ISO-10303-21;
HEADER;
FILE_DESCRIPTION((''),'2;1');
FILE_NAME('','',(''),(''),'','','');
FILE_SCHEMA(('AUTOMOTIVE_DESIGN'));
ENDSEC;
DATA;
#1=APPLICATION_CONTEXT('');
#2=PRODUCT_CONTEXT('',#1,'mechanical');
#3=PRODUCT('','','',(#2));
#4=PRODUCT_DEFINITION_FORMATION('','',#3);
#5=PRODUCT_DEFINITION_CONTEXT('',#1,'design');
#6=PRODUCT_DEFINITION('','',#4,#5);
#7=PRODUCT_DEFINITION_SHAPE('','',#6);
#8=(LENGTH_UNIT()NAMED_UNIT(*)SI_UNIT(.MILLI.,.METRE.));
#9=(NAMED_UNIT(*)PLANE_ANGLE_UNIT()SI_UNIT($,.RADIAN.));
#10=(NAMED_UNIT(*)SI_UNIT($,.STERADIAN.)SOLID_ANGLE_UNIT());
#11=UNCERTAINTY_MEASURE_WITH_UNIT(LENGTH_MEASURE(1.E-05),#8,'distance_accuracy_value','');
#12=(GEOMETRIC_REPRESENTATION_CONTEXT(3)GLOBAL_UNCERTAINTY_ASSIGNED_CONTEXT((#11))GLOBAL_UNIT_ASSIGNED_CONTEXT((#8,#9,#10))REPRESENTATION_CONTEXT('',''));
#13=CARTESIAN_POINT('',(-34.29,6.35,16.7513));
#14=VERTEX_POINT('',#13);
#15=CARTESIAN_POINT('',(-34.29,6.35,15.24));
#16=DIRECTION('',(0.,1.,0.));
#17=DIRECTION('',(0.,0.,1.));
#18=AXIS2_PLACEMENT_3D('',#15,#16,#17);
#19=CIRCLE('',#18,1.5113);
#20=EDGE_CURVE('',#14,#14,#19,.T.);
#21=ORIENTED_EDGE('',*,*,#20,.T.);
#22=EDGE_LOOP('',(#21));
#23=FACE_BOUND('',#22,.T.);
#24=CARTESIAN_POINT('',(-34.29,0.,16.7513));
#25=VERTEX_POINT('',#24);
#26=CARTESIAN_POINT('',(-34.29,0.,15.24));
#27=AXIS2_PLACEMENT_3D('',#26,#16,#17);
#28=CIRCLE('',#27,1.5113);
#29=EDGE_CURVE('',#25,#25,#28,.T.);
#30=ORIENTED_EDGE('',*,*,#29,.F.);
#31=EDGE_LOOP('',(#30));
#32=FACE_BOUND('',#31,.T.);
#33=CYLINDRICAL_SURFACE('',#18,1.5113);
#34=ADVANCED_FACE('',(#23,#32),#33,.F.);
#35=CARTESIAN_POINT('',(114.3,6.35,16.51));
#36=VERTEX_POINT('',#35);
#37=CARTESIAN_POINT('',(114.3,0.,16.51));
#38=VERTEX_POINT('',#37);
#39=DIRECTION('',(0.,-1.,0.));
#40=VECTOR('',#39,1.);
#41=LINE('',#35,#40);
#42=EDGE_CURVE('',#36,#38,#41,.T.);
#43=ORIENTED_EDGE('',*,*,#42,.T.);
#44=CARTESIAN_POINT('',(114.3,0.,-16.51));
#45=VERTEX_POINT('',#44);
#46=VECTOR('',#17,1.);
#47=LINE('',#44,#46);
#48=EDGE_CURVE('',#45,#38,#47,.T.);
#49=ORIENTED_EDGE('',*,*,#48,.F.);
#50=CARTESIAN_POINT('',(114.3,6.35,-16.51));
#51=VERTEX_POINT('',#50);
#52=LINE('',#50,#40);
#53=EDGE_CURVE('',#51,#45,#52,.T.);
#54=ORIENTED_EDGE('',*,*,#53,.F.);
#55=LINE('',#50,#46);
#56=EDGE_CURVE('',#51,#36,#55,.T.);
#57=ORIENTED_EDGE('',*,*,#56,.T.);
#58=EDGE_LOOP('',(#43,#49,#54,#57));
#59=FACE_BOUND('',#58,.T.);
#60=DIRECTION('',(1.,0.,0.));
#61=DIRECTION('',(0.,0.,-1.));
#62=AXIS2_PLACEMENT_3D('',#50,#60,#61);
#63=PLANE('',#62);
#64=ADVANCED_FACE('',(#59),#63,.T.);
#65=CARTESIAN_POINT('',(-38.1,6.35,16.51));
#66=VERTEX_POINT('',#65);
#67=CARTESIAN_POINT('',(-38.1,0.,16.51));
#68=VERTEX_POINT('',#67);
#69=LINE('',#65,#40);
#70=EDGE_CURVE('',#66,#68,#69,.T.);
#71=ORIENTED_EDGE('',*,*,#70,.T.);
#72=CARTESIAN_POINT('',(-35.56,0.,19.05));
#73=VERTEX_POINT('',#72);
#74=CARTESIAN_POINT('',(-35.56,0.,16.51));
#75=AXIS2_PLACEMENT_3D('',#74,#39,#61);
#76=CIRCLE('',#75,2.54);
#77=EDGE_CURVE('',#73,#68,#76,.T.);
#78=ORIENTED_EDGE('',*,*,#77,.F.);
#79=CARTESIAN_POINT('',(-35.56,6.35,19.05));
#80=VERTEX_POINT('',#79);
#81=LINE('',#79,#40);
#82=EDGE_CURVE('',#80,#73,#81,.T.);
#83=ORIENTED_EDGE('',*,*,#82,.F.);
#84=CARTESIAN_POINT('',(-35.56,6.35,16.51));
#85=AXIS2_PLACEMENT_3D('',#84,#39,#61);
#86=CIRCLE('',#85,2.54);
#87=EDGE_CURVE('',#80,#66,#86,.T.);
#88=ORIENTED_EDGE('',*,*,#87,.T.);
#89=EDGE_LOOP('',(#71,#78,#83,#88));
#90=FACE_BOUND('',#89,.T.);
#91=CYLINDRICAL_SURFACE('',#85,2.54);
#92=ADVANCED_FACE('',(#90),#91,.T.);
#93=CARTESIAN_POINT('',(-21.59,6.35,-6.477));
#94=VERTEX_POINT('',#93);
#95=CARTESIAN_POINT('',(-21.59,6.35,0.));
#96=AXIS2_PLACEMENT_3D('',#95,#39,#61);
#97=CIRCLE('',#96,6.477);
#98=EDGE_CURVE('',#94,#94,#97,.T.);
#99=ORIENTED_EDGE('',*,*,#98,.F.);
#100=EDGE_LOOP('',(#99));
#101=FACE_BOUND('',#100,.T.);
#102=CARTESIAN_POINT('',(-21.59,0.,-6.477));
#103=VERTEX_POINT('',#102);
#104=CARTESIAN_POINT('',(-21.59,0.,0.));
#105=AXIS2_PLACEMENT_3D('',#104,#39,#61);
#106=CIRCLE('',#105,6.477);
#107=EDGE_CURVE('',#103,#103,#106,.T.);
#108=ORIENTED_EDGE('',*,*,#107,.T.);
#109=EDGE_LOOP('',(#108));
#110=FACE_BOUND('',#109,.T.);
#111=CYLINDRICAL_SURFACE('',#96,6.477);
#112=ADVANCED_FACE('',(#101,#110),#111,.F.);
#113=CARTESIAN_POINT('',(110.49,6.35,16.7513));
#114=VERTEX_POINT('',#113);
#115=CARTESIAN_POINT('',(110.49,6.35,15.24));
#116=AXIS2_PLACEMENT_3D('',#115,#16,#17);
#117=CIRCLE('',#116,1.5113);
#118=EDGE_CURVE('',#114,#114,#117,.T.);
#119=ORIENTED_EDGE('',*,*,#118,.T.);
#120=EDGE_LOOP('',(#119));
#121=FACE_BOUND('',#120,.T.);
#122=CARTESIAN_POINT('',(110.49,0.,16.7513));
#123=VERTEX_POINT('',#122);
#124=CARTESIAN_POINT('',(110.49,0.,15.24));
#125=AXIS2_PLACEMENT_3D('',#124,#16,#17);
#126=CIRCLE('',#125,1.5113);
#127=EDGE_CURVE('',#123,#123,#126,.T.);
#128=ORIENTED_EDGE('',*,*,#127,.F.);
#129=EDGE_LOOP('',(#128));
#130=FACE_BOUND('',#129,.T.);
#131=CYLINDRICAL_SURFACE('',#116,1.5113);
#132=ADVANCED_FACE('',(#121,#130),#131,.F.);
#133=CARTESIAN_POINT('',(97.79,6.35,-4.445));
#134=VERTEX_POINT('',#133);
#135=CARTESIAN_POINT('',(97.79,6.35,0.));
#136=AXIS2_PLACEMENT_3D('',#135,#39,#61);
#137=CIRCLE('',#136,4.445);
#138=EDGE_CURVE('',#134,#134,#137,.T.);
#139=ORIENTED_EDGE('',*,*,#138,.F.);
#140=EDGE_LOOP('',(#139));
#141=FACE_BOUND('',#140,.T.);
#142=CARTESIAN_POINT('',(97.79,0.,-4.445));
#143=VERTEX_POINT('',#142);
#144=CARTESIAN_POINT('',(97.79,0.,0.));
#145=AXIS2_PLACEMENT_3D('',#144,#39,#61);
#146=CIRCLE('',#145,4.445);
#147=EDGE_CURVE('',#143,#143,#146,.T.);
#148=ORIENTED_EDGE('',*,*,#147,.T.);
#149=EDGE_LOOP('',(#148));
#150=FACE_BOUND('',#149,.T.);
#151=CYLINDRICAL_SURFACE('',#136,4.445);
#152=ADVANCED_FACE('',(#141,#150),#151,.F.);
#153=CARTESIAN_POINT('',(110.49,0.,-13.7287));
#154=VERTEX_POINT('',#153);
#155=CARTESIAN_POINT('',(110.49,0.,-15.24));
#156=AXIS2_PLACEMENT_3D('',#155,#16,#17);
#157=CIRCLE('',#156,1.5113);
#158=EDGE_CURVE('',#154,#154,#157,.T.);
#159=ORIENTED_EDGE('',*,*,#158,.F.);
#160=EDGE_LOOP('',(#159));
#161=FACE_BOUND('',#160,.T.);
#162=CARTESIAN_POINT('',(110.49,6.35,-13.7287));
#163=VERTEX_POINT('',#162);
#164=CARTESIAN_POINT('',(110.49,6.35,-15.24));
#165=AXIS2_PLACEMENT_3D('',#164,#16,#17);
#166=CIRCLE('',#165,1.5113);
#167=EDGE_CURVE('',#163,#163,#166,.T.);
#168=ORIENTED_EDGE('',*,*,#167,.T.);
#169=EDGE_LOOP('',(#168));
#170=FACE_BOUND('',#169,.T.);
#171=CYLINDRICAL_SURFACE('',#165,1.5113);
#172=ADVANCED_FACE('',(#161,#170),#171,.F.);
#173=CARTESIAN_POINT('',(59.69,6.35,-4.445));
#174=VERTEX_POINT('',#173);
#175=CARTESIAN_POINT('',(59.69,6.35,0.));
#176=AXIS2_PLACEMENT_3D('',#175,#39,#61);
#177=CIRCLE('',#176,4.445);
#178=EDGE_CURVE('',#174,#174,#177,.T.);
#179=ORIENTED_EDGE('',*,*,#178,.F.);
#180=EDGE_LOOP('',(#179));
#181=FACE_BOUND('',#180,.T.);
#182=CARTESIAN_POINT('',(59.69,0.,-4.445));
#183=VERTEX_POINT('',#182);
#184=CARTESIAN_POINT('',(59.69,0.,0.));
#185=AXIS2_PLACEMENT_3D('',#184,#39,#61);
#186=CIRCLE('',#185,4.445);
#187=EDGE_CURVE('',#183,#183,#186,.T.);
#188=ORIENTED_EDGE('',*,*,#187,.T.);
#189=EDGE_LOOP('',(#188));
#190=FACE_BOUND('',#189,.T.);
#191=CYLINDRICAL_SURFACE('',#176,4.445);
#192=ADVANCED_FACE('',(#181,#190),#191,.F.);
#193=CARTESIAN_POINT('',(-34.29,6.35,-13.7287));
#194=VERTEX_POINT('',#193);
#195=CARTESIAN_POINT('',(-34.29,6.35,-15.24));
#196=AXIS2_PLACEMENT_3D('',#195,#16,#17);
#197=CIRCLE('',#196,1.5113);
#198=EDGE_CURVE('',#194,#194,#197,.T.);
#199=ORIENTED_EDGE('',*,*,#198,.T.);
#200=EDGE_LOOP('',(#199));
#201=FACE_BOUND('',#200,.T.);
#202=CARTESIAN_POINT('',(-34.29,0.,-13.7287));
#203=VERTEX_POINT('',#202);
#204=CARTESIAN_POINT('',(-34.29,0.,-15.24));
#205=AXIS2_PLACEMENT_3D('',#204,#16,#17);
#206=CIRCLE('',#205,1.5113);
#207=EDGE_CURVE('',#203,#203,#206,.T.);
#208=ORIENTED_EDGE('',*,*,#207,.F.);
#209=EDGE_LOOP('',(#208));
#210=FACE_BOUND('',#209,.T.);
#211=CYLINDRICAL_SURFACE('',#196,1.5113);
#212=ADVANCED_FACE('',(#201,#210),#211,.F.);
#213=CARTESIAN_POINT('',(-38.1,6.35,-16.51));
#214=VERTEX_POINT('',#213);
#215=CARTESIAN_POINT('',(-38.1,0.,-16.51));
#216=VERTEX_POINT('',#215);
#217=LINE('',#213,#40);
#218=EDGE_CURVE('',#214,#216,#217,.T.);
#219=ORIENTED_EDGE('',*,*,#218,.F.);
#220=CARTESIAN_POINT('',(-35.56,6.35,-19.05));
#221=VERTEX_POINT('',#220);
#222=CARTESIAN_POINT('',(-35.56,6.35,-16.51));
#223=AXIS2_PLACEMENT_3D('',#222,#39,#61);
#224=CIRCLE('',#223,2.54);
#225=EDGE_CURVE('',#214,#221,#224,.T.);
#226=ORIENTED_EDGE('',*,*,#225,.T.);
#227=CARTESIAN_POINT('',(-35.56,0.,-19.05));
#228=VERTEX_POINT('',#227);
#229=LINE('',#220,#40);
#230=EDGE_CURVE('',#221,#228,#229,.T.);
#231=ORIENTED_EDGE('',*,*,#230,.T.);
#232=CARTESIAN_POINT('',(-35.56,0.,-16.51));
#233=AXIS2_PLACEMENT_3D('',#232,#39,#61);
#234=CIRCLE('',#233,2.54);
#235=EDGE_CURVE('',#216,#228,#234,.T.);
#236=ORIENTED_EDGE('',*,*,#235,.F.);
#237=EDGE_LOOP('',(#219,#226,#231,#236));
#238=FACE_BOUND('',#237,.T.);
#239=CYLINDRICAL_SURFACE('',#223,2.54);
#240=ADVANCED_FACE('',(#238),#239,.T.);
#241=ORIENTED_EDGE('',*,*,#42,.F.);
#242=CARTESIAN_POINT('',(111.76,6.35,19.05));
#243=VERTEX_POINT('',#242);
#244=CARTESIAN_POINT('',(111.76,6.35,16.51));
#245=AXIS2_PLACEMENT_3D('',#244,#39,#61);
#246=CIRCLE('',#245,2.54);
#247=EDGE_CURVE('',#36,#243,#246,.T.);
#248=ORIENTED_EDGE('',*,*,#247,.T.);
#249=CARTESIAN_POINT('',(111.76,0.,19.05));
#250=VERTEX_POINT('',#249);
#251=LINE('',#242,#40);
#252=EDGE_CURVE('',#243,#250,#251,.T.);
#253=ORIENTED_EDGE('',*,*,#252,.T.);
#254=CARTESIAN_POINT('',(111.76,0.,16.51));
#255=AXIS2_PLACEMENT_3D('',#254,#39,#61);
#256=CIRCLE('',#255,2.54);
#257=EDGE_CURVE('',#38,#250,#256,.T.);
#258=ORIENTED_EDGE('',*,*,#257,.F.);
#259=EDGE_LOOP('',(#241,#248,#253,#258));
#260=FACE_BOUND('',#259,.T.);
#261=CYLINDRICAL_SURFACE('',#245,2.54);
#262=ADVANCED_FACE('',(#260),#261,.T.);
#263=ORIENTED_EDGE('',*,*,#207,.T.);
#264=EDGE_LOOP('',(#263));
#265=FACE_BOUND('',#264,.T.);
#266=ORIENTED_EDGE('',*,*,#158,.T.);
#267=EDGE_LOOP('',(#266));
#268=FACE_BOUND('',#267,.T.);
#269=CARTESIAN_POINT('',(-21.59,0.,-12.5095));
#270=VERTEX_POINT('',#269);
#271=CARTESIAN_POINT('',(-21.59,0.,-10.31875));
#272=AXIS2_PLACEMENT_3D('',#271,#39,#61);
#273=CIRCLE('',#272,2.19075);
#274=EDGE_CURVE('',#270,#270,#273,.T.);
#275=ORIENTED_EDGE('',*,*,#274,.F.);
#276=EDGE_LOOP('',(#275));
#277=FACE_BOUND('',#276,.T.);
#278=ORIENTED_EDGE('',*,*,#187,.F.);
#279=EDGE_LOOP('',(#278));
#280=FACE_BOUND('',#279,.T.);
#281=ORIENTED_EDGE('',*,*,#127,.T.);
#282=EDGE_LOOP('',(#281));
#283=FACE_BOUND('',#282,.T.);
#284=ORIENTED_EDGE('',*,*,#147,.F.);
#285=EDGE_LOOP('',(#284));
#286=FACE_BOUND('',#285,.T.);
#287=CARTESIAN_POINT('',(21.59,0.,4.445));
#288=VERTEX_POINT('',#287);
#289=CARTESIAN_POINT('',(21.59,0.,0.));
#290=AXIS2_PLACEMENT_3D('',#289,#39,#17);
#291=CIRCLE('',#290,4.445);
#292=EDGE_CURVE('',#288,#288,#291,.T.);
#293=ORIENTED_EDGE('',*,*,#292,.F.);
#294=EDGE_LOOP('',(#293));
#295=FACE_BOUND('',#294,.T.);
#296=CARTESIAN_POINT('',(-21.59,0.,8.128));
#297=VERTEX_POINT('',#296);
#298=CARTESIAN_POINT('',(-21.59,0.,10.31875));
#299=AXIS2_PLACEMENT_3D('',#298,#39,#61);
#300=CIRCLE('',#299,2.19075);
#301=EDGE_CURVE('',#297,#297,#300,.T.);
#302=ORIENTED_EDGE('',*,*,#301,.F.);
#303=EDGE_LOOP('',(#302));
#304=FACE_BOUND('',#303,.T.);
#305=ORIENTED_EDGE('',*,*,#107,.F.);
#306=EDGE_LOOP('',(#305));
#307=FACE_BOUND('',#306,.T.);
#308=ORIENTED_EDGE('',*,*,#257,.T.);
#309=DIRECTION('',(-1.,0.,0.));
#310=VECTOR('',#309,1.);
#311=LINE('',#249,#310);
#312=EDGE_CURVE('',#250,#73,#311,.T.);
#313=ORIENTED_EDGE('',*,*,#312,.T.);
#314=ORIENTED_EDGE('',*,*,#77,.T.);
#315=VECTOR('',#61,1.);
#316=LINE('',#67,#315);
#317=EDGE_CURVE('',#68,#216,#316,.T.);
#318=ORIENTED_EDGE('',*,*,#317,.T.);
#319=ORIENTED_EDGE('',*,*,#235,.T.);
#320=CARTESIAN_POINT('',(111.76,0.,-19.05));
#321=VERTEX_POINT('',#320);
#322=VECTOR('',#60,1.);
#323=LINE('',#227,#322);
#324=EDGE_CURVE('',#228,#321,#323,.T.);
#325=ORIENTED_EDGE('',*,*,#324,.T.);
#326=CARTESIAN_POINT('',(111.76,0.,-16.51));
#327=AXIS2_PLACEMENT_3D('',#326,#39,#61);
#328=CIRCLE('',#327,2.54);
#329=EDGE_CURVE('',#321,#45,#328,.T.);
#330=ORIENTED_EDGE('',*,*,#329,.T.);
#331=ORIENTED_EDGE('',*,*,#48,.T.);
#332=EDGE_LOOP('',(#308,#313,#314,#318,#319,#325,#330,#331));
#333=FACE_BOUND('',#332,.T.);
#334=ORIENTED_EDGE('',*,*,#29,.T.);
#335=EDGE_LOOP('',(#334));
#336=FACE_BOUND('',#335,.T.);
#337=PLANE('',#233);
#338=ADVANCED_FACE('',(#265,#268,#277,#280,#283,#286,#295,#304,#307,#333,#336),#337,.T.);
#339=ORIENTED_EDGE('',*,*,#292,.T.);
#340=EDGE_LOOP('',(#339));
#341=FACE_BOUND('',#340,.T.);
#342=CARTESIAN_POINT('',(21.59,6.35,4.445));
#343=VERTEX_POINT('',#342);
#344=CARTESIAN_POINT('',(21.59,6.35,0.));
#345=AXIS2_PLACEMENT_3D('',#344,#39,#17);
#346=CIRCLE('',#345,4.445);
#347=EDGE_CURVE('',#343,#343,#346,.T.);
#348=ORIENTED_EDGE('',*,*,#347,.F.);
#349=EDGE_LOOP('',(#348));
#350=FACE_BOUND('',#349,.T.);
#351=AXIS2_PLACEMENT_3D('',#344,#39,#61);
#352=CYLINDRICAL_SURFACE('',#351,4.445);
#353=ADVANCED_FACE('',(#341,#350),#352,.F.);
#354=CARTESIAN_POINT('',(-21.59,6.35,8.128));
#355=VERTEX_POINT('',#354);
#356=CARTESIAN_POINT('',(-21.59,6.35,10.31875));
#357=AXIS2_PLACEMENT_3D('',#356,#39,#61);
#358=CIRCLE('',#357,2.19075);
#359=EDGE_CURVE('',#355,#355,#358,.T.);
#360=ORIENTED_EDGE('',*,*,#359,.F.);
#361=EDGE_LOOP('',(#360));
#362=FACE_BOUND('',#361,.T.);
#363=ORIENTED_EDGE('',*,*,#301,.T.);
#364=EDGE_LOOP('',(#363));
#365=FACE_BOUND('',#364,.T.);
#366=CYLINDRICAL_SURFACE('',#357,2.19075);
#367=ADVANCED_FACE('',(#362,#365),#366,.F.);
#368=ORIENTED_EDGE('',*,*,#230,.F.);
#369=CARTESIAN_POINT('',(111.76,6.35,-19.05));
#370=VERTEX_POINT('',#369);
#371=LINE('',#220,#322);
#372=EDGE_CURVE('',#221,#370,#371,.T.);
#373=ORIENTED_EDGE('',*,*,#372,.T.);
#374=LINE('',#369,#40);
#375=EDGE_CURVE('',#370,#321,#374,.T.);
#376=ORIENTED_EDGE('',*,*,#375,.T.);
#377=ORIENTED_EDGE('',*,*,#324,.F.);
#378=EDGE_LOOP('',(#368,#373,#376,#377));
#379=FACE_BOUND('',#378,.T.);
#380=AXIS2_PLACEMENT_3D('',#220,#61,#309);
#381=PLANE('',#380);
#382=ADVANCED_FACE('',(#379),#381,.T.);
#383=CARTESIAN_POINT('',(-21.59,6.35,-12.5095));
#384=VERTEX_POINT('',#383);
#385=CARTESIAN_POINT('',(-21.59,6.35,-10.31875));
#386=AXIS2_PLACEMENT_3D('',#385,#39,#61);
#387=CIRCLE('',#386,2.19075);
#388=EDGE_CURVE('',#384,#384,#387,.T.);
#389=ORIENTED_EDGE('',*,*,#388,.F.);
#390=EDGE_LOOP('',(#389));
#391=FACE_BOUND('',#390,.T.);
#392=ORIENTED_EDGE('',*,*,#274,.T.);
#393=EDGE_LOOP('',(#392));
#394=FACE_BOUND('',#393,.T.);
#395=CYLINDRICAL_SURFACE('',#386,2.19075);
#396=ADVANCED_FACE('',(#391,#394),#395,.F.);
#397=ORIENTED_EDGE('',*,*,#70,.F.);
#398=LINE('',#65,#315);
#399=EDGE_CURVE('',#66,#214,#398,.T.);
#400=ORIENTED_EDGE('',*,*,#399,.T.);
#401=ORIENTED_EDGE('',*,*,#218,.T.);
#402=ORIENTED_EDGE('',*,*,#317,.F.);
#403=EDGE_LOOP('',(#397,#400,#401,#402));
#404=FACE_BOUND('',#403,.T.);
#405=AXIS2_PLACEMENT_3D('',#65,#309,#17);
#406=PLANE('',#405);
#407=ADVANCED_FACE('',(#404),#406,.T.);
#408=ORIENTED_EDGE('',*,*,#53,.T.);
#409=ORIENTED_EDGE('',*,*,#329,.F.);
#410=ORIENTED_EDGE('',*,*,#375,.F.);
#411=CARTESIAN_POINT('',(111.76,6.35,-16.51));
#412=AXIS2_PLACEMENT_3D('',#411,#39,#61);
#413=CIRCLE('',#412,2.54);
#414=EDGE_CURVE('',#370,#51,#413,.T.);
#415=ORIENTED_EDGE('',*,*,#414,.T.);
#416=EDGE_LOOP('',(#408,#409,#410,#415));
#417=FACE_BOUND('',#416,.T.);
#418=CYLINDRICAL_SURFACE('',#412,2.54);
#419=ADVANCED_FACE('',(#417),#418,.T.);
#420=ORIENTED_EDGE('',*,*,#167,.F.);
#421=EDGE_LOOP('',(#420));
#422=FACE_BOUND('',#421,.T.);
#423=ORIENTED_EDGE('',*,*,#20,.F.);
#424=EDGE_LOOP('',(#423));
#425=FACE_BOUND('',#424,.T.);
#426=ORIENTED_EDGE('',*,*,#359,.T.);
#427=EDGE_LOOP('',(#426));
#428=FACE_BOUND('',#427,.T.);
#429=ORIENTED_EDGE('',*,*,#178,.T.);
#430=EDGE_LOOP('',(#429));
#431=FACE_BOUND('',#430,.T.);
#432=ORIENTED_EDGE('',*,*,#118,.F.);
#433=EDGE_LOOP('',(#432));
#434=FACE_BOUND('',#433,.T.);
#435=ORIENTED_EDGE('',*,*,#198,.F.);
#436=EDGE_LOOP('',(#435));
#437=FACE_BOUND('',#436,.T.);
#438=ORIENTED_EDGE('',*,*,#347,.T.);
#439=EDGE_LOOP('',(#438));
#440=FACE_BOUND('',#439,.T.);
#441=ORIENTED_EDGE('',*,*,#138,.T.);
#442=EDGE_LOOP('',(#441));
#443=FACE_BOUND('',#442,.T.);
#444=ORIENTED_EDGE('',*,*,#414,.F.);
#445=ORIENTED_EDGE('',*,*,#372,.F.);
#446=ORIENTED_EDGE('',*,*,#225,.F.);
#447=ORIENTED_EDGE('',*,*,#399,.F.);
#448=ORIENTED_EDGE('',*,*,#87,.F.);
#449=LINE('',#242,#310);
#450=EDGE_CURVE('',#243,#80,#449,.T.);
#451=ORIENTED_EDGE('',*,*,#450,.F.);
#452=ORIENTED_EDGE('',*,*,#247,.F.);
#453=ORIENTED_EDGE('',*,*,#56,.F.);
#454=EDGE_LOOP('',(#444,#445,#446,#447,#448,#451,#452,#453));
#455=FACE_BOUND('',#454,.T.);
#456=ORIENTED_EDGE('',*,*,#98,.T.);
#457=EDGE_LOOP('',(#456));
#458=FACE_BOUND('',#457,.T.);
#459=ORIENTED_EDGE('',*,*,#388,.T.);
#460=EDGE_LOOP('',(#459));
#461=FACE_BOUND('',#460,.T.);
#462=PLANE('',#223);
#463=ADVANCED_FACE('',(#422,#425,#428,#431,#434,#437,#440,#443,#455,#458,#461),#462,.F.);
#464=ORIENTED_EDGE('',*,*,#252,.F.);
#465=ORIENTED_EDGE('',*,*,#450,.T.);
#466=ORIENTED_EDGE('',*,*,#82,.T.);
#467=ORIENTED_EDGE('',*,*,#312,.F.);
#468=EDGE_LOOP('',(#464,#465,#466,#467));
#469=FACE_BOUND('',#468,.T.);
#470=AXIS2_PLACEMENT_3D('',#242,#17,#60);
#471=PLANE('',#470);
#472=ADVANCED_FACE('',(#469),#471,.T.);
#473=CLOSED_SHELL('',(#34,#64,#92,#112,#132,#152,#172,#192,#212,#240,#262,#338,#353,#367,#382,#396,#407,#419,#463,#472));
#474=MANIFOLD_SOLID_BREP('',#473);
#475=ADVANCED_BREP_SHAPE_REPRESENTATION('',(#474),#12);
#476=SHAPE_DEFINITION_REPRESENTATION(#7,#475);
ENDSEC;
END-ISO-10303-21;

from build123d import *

# Parameters (mm, degrees)
SKETCH1_R             = 4.445
SKETCH1_R_2           = 6.477
SKETCH1_R_3           = 2.19075
BOSS_EXTRUDE1_DEPTH   = 6.35
F_1_0MM_DOWEL_HOLE2_D = 3.0226


with BuildPart() as part:
    # Sketch1 → Boss-Extrude1 (new body)
    with BuildSketch(Plane.XZ):
        with BuildLine():
            Line((-35.56, -19.05), (111.76, -19.05))
            ThreePointArc((111.76, -19.05), (113.556051224, -18.306051224), (114.3, -16.51))
            Line((114.3, -16.51), (114.3, 16.51))
            ThreePointArc((114.3, 16.51), (113.556051224, 18.306051224), (111.76, 19.05))
            Line((111.76, 19.05), (-35.56, 19.05))
            ThreePointArc((-35.56, 19.05), (-37.356051224, 18.306051224), (-38.1, 16.51))
            Line((-38.1, 16.51), (-38.1, -16.51))
            ThreePointArc((-38.1, -16.51), (-37.356051224, -18.306051224), (-35.56, -19.05))
        make_face()
        with Locations(Location((59.69, 0, 0), (0, 0, 270))):
            Circle(SKETCH1_R, mode=Mode.SUBTRACT)
        with Locations(Location((97.79, 0, 0), (0, 0, 270))):
            Circle(SKETCH1_R, mode=Mode.SUBTRACT)
        with Locations(Location((-21.59, 0, 0), (0, 0, 270))):
            Circle(SKETCH1_R_2, mode=Mode.SUBTRACT)
        with Locations(Location((-21.59, -10.31875, 0), (0, 0, 270))):
            Circle(SKETCH1_R_3, mode=Mode.SUBTRACT)
        with Locations(Location((-21.59, 10.31875, 0), (0, 0, 270))):
            Circle(SKETCH1_R_3, mode=Mode.SUBTRACT)
        with Locations(Location((21.59, 0, 0), (0, 0, 90))):
            Circle(SKETCH1_R, mode=Mode.SUBTRACT)
    extrude(amount=-BOSS_EXTRUDE1_DEPTH)

    # Ø1.0mm Dowel Hole2 (through all)
    with Locations(Plane(origin=(0, 6.35, 0), x_dir=(1, 0, 0), z_dir=(0, 1, 0))):
        with Locations((-34.29, 15.24), (110.49, 15.24), (110.49, -15.24), (-34.29, -15.24)):
            Hole(F_1_0MM_DOWEL_HOLE2_D / 2)


solid = part.part
